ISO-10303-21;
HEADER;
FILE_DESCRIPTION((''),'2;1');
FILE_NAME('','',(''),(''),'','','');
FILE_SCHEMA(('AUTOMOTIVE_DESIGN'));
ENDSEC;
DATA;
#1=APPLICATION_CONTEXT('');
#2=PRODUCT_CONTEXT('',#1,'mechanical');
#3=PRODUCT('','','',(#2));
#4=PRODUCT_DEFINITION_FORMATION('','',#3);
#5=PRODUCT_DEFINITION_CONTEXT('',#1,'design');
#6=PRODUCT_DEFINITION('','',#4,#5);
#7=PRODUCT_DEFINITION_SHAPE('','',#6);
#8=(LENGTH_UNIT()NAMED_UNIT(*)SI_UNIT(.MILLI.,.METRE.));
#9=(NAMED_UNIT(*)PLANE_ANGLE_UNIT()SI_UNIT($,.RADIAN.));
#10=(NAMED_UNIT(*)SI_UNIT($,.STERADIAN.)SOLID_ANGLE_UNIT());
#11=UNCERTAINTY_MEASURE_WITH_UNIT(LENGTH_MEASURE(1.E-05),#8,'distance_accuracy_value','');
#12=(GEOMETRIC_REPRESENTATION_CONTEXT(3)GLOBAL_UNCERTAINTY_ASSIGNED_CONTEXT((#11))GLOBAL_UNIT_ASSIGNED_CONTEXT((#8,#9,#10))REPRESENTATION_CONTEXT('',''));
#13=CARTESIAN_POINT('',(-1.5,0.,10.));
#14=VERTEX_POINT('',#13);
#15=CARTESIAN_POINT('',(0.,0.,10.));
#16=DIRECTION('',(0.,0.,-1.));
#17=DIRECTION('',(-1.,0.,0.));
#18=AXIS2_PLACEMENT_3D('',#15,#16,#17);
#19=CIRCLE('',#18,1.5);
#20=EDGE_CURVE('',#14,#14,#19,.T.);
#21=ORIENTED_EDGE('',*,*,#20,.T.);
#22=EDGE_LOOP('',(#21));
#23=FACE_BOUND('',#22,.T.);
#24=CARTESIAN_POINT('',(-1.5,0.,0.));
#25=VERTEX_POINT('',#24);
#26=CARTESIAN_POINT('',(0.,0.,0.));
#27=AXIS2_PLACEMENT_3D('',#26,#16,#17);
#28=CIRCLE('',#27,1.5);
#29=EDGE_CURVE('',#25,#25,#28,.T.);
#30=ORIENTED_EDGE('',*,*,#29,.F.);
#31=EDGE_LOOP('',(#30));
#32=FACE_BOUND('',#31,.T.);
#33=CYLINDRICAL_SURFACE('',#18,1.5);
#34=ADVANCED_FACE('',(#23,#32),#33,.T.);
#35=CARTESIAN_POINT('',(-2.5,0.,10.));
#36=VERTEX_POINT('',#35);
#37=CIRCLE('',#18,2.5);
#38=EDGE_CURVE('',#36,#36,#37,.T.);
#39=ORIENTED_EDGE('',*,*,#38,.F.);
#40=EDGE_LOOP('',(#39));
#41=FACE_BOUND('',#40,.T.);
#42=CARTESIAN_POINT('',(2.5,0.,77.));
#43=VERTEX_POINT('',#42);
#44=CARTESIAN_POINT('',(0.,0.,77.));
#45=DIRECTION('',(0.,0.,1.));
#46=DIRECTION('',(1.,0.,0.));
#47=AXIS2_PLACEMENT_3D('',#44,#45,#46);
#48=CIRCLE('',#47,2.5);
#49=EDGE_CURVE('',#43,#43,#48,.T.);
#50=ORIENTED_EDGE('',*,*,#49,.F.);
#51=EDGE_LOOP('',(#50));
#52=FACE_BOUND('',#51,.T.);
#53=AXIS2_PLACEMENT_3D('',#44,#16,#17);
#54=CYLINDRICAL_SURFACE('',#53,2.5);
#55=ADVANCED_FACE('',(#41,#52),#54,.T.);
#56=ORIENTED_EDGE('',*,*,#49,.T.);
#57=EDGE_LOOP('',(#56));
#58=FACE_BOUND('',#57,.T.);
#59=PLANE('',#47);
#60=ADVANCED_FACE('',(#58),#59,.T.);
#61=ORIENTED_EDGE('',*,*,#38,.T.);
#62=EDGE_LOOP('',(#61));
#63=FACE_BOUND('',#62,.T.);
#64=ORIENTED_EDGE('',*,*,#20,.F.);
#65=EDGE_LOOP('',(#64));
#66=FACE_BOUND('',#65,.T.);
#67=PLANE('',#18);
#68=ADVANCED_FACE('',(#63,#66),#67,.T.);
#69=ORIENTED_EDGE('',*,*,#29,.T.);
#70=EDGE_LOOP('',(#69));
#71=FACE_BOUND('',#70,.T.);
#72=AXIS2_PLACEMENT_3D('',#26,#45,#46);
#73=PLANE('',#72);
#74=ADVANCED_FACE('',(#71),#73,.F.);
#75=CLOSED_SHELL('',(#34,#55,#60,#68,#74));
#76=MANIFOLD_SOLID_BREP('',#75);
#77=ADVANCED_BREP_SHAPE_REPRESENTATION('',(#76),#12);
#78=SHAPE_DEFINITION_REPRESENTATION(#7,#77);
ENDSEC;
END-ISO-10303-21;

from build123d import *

# Parameters (mm, degrees)
ESQUISSE1_R             = 2.5
BOSS_EXTRU_1_DEPTH      = 77
ESQUISSE3_R             = 2.5
ESQUISSE3_R_2           = 1.5
ENL_V_MAT_EXTRU_2_DEPTH = 10


with BuildPart() as part:
    # Esquisse1 → Boss.-Extru.1 (new body)
    with BuildSketch(Plane.XY):
        Circle(ESQUISSE1_R)
    extrude(amount=BOSS_EXTRU_1_DEPTH)

    # Esquisse3 → Enlèv. mat.-Extru.2 (cut)
    with BuildSketch(Plane(origin=(0, 0, 0), x_dir=(-1, 0, 0), z_dir=(0, 0, -1))):
        Circle(ESQUISSE3_R)
        Circle(ESQUISSE3_R_2, mode=Mode.SUBTRACT)
    extrude(amount=-ENL_V_MAT_EXTRU_2_DEPTH, mode=Mode.SUBTRACT)


solid = part.part
